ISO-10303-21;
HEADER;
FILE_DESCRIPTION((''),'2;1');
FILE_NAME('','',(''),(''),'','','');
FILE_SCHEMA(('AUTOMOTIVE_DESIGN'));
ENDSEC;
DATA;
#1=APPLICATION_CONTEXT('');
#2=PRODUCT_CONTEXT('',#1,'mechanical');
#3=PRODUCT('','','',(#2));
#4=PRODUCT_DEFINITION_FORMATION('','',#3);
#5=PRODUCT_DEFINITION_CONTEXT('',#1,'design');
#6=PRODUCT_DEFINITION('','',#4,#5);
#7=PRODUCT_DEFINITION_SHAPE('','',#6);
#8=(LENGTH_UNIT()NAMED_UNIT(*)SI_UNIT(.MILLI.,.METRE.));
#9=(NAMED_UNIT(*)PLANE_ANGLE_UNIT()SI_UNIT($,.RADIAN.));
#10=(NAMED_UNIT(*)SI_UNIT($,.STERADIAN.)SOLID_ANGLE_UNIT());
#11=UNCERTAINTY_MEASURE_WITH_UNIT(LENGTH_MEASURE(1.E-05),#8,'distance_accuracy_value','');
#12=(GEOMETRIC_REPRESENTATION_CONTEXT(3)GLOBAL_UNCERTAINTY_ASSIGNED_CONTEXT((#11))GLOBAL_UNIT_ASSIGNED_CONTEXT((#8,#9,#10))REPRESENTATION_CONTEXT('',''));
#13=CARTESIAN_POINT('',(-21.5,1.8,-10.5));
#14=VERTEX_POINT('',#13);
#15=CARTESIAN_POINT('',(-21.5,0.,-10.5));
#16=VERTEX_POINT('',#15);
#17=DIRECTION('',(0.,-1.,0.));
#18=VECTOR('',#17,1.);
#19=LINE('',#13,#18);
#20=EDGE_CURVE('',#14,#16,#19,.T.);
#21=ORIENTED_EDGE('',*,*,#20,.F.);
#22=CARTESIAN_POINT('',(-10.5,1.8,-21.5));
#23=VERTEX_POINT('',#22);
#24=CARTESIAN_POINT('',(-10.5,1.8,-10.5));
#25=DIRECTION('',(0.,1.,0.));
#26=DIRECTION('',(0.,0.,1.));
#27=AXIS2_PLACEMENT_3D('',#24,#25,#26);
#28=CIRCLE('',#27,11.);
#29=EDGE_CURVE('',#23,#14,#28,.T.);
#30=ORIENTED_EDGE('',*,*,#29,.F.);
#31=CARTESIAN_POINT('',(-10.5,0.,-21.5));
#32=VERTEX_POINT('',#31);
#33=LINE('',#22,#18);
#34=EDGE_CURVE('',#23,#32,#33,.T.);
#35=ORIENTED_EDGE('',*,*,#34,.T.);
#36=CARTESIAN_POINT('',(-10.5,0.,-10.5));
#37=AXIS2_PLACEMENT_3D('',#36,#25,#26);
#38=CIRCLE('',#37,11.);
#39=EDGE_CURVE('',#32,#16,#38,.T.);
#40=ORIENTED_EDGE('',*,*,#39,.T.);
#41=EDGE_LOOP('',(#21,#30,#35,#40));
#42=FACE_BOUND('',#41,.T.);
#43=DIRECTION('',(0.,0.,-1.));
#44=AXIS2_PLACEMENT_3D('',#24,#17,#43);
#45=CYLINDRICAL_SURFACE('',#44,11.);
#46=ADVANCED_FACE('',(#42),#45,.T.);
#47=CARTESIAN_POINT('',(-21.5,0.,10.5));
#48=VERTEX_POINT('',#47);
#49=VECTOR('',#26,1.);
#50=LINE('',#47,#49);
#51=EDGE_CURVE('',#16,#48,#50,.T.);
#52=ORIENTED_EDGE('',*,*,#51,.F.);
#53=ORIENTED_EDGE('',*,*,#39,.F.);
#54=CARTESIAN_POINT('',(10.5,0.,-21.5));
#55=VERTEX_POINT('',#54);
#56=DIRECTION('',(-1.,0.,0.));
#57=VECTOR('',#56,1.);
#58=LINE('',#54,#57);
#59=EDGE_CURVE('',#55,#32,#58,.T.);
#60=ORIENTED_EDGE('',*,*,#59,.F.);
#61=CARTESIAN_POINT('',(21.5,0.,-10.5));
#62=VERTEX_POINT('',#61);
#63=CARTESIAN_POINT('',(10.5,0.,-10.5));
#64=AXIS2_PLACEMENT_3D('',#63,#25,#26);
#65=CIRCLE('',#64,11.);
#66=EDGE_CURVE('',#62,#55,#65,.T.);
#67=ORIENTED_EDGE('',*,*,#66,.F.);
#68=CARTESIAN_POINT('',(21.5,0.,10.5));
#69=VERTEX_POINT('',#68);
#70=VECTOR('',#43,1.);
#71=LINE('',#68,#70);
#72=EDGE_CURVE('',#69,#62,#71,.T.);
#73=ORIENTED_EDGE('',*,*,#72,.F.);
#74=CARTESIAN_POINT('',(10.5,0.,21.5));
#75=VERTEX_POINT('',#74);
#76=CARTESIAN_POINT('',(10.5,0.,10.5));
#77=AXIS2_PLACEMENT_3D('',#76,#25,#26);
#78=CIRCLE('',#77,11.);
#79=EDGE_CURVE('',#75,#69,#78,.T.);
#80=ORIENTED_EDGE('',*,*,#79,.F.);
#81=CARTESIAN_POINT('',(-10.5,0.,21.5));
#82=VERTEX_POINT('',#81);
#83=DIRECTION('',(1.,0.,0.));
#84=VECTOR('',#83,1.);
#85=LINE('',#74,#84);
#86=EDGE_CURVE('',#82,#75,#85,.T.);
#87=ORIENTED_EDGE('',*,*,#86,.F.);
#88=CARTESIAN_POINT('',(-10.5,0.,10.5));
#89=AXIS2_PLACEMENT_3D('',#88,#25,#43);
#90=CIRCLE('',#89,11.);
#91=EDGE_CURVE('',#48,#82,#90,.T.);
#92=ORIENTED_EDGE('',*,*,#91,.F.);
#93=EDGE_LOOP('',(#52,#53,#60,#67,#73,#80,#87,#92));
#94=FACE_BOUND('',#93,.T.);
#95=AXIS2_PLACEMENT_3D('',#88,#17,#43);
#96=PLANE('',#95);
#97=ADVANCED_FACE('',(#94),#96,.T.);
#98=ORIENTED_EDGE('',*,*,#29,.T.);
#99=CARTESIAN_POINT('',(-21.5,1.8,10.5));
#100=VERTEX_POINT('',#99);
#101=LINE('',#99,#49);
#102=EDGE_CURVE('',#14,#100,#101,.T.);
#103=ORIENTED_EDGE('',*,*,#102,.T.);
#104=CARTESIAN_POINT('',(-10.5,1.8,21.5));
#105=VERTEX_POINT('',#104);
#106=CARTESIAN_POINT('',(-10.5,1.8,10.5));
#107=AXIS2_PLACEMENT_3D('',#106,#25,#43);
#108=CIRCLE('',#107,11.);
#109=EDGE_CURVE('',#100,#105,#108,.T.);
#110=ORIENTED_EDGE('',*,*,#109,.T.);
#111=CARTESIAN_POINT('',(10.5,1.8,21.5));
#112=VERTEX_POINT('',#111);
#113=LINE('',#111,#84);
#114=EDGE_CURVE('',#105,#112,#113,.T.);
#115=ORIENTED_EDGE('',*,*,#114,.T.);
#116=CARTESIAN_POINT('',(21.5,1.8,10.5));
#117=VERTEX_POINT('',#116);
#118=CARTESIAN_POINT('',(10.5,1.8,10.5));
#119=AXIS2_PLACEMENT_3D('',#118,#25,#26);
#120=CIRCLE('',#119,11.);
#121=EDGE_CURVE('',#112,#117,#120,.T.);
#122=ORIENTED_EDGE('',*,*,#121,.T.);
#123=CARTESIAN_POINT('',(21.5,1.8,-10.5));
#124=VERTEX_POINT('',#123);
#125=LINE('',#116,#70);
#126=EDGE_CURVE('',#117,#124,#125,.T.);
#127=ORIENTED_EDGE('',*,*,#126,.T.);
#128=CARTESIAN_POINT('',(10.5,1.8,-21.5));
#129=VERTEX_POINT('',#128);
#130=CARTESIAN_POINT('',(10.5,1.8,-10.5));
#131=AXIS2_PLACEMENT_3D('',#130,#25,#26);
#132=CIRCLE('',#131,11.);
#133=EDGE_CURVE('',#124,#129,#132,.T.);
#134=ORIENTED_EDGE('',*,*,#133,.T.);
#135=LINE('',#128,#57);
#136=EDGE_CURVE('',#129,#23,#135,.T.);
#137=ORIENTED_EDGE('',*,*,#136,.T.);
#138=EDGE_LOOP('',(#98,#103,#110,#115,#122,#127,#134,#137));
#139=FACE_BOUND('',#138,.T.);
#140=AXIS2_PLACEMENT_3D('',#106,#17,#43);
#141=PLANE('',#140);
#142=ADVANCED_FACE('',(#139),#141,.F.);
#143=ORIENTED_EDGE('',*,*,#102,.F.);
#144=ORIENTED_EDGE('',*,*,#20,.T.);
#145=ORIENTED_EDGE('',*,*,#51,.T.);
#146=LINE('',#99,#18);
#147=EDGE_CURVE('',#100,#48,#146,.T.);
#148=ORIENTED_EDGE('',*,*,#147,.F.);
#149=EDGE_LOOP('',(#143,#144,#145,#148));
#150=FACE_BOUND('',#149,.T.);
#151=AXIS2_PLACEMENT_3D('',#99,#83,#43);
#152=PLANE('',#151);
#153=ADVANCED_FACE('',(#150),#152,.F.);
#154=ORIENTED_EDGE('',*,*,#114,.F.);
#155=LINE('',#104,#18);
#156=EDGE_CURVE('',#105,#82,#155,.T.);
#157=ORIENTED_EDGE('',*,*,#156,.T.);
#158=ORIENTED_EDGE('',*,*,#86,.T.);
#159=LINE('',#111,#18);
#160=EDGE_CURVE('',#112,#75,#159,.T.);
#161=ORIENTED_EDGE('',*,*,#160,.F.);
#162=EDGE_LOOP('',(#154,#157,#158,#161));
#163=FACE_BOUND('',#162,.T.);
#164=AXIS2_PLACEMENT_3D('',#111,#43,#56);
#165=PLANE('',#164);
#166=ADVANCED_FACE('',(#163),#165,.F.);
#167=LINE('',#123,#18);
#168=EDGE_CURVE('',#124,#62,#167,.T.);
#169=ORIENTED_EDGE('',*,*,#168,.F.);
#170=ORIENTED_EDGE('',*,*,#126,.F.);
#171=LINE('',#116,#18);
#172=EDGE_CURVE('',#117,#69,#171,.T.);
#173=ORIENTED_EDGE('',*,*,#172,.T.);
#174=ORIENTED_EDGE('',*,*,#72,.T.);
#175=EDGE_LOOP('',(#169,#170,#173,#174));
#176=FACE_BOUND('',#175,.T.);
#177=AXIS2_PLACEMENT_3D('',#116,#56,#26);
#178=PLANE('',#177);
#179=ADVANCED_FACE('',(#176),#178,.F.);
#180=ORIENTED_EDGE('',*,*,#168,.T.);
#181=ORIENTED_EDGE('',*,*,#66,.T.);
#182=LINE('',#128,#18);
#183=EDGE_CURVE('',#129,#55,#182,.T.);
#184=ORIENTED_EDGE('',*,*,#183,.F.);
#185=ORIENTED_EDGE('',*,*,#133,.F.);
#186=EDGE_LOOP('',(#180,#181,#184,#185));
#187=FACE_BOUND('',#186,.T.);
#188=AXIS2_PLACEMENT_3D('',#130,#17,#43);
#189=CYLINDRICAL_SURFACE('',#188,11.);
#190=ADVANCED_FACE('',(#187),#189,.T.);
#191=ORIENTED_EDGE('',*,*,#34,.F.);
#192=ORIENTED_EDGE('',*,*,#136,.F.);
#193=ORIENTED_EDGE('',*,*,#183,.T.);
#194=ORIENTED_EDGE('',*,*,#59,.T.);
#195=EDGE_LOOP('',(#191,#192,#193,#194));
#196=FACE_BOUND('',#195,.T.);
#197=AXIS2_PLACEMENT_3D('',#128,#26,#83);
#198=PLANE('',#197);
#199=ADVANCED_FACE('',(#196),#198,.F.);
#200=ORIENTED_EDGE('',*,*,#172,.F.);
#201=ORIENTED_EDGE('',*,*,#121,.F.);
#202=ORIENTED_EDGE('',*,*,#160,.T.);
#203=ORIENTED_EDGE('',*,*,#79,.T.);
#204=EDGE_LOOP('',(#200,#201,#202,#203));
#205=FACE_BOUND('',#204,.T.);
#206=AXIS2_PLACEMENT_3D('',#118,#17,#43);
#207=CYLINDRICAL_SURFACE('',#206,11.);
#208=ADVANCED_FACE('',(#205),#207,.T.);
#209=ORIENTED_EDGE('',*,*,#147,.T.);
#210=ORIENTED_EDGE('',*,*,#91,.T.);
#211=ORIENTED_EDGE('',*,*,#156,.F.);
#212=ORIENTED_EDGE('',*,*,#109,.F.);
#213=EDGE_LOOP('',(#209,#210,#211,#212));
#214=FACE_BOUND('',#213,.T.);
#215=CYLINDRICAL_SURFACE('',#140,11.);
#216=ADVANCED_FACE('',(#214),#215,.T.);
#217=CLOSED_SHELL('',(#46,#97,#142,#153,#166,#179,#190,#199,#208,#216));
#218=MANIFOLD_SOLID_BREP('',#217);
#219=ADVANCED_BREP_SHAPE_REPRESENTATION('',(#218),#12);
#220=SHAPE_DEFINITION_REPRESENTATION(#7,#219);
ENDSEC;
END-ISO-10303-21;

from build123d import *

# Parameters (mm, degrees)
BOSS_EXTRUDE1_DEPTH = 1.8


with BuildPart() as part:
    # Sketch1 → Boss-Extrude1 (new body)
    with BuildSketch(Plane(origin=(0, 0, 0), x_dir=(1, 0, 0), z_dir=(0, 1, 0))):
        with BuildLine():
            Line((10.5, -21.5), (-10.5, -21.5))
            ThreePointArc((-10.5, -21.5), (-18.278174593, -18.278174593), (-21.5, -10.5))
            Line((-21.5, -10.5), (-21.5, 10.5))
            ThreePointArc((-21.5, 10.5), (-18.278174593, 18.278174593), (-10.5, 21.5))
            Line((-10.5, 21.5), (10.5, 21.5))
            ThreePointArc((10.5, 21.5), (18.278174593, 18.278174593), (21.5, 10.5))
            Line((21.5, 10.5), (21.5, -10.5))
            ThreePointArc((21.5, -10.5), (18.278174593, -18.278174593), (10.5, -21.5))
        make_face()
    extrude(amount=BOSS_EXTRUDE1_DEPTH)


solid = part.part
